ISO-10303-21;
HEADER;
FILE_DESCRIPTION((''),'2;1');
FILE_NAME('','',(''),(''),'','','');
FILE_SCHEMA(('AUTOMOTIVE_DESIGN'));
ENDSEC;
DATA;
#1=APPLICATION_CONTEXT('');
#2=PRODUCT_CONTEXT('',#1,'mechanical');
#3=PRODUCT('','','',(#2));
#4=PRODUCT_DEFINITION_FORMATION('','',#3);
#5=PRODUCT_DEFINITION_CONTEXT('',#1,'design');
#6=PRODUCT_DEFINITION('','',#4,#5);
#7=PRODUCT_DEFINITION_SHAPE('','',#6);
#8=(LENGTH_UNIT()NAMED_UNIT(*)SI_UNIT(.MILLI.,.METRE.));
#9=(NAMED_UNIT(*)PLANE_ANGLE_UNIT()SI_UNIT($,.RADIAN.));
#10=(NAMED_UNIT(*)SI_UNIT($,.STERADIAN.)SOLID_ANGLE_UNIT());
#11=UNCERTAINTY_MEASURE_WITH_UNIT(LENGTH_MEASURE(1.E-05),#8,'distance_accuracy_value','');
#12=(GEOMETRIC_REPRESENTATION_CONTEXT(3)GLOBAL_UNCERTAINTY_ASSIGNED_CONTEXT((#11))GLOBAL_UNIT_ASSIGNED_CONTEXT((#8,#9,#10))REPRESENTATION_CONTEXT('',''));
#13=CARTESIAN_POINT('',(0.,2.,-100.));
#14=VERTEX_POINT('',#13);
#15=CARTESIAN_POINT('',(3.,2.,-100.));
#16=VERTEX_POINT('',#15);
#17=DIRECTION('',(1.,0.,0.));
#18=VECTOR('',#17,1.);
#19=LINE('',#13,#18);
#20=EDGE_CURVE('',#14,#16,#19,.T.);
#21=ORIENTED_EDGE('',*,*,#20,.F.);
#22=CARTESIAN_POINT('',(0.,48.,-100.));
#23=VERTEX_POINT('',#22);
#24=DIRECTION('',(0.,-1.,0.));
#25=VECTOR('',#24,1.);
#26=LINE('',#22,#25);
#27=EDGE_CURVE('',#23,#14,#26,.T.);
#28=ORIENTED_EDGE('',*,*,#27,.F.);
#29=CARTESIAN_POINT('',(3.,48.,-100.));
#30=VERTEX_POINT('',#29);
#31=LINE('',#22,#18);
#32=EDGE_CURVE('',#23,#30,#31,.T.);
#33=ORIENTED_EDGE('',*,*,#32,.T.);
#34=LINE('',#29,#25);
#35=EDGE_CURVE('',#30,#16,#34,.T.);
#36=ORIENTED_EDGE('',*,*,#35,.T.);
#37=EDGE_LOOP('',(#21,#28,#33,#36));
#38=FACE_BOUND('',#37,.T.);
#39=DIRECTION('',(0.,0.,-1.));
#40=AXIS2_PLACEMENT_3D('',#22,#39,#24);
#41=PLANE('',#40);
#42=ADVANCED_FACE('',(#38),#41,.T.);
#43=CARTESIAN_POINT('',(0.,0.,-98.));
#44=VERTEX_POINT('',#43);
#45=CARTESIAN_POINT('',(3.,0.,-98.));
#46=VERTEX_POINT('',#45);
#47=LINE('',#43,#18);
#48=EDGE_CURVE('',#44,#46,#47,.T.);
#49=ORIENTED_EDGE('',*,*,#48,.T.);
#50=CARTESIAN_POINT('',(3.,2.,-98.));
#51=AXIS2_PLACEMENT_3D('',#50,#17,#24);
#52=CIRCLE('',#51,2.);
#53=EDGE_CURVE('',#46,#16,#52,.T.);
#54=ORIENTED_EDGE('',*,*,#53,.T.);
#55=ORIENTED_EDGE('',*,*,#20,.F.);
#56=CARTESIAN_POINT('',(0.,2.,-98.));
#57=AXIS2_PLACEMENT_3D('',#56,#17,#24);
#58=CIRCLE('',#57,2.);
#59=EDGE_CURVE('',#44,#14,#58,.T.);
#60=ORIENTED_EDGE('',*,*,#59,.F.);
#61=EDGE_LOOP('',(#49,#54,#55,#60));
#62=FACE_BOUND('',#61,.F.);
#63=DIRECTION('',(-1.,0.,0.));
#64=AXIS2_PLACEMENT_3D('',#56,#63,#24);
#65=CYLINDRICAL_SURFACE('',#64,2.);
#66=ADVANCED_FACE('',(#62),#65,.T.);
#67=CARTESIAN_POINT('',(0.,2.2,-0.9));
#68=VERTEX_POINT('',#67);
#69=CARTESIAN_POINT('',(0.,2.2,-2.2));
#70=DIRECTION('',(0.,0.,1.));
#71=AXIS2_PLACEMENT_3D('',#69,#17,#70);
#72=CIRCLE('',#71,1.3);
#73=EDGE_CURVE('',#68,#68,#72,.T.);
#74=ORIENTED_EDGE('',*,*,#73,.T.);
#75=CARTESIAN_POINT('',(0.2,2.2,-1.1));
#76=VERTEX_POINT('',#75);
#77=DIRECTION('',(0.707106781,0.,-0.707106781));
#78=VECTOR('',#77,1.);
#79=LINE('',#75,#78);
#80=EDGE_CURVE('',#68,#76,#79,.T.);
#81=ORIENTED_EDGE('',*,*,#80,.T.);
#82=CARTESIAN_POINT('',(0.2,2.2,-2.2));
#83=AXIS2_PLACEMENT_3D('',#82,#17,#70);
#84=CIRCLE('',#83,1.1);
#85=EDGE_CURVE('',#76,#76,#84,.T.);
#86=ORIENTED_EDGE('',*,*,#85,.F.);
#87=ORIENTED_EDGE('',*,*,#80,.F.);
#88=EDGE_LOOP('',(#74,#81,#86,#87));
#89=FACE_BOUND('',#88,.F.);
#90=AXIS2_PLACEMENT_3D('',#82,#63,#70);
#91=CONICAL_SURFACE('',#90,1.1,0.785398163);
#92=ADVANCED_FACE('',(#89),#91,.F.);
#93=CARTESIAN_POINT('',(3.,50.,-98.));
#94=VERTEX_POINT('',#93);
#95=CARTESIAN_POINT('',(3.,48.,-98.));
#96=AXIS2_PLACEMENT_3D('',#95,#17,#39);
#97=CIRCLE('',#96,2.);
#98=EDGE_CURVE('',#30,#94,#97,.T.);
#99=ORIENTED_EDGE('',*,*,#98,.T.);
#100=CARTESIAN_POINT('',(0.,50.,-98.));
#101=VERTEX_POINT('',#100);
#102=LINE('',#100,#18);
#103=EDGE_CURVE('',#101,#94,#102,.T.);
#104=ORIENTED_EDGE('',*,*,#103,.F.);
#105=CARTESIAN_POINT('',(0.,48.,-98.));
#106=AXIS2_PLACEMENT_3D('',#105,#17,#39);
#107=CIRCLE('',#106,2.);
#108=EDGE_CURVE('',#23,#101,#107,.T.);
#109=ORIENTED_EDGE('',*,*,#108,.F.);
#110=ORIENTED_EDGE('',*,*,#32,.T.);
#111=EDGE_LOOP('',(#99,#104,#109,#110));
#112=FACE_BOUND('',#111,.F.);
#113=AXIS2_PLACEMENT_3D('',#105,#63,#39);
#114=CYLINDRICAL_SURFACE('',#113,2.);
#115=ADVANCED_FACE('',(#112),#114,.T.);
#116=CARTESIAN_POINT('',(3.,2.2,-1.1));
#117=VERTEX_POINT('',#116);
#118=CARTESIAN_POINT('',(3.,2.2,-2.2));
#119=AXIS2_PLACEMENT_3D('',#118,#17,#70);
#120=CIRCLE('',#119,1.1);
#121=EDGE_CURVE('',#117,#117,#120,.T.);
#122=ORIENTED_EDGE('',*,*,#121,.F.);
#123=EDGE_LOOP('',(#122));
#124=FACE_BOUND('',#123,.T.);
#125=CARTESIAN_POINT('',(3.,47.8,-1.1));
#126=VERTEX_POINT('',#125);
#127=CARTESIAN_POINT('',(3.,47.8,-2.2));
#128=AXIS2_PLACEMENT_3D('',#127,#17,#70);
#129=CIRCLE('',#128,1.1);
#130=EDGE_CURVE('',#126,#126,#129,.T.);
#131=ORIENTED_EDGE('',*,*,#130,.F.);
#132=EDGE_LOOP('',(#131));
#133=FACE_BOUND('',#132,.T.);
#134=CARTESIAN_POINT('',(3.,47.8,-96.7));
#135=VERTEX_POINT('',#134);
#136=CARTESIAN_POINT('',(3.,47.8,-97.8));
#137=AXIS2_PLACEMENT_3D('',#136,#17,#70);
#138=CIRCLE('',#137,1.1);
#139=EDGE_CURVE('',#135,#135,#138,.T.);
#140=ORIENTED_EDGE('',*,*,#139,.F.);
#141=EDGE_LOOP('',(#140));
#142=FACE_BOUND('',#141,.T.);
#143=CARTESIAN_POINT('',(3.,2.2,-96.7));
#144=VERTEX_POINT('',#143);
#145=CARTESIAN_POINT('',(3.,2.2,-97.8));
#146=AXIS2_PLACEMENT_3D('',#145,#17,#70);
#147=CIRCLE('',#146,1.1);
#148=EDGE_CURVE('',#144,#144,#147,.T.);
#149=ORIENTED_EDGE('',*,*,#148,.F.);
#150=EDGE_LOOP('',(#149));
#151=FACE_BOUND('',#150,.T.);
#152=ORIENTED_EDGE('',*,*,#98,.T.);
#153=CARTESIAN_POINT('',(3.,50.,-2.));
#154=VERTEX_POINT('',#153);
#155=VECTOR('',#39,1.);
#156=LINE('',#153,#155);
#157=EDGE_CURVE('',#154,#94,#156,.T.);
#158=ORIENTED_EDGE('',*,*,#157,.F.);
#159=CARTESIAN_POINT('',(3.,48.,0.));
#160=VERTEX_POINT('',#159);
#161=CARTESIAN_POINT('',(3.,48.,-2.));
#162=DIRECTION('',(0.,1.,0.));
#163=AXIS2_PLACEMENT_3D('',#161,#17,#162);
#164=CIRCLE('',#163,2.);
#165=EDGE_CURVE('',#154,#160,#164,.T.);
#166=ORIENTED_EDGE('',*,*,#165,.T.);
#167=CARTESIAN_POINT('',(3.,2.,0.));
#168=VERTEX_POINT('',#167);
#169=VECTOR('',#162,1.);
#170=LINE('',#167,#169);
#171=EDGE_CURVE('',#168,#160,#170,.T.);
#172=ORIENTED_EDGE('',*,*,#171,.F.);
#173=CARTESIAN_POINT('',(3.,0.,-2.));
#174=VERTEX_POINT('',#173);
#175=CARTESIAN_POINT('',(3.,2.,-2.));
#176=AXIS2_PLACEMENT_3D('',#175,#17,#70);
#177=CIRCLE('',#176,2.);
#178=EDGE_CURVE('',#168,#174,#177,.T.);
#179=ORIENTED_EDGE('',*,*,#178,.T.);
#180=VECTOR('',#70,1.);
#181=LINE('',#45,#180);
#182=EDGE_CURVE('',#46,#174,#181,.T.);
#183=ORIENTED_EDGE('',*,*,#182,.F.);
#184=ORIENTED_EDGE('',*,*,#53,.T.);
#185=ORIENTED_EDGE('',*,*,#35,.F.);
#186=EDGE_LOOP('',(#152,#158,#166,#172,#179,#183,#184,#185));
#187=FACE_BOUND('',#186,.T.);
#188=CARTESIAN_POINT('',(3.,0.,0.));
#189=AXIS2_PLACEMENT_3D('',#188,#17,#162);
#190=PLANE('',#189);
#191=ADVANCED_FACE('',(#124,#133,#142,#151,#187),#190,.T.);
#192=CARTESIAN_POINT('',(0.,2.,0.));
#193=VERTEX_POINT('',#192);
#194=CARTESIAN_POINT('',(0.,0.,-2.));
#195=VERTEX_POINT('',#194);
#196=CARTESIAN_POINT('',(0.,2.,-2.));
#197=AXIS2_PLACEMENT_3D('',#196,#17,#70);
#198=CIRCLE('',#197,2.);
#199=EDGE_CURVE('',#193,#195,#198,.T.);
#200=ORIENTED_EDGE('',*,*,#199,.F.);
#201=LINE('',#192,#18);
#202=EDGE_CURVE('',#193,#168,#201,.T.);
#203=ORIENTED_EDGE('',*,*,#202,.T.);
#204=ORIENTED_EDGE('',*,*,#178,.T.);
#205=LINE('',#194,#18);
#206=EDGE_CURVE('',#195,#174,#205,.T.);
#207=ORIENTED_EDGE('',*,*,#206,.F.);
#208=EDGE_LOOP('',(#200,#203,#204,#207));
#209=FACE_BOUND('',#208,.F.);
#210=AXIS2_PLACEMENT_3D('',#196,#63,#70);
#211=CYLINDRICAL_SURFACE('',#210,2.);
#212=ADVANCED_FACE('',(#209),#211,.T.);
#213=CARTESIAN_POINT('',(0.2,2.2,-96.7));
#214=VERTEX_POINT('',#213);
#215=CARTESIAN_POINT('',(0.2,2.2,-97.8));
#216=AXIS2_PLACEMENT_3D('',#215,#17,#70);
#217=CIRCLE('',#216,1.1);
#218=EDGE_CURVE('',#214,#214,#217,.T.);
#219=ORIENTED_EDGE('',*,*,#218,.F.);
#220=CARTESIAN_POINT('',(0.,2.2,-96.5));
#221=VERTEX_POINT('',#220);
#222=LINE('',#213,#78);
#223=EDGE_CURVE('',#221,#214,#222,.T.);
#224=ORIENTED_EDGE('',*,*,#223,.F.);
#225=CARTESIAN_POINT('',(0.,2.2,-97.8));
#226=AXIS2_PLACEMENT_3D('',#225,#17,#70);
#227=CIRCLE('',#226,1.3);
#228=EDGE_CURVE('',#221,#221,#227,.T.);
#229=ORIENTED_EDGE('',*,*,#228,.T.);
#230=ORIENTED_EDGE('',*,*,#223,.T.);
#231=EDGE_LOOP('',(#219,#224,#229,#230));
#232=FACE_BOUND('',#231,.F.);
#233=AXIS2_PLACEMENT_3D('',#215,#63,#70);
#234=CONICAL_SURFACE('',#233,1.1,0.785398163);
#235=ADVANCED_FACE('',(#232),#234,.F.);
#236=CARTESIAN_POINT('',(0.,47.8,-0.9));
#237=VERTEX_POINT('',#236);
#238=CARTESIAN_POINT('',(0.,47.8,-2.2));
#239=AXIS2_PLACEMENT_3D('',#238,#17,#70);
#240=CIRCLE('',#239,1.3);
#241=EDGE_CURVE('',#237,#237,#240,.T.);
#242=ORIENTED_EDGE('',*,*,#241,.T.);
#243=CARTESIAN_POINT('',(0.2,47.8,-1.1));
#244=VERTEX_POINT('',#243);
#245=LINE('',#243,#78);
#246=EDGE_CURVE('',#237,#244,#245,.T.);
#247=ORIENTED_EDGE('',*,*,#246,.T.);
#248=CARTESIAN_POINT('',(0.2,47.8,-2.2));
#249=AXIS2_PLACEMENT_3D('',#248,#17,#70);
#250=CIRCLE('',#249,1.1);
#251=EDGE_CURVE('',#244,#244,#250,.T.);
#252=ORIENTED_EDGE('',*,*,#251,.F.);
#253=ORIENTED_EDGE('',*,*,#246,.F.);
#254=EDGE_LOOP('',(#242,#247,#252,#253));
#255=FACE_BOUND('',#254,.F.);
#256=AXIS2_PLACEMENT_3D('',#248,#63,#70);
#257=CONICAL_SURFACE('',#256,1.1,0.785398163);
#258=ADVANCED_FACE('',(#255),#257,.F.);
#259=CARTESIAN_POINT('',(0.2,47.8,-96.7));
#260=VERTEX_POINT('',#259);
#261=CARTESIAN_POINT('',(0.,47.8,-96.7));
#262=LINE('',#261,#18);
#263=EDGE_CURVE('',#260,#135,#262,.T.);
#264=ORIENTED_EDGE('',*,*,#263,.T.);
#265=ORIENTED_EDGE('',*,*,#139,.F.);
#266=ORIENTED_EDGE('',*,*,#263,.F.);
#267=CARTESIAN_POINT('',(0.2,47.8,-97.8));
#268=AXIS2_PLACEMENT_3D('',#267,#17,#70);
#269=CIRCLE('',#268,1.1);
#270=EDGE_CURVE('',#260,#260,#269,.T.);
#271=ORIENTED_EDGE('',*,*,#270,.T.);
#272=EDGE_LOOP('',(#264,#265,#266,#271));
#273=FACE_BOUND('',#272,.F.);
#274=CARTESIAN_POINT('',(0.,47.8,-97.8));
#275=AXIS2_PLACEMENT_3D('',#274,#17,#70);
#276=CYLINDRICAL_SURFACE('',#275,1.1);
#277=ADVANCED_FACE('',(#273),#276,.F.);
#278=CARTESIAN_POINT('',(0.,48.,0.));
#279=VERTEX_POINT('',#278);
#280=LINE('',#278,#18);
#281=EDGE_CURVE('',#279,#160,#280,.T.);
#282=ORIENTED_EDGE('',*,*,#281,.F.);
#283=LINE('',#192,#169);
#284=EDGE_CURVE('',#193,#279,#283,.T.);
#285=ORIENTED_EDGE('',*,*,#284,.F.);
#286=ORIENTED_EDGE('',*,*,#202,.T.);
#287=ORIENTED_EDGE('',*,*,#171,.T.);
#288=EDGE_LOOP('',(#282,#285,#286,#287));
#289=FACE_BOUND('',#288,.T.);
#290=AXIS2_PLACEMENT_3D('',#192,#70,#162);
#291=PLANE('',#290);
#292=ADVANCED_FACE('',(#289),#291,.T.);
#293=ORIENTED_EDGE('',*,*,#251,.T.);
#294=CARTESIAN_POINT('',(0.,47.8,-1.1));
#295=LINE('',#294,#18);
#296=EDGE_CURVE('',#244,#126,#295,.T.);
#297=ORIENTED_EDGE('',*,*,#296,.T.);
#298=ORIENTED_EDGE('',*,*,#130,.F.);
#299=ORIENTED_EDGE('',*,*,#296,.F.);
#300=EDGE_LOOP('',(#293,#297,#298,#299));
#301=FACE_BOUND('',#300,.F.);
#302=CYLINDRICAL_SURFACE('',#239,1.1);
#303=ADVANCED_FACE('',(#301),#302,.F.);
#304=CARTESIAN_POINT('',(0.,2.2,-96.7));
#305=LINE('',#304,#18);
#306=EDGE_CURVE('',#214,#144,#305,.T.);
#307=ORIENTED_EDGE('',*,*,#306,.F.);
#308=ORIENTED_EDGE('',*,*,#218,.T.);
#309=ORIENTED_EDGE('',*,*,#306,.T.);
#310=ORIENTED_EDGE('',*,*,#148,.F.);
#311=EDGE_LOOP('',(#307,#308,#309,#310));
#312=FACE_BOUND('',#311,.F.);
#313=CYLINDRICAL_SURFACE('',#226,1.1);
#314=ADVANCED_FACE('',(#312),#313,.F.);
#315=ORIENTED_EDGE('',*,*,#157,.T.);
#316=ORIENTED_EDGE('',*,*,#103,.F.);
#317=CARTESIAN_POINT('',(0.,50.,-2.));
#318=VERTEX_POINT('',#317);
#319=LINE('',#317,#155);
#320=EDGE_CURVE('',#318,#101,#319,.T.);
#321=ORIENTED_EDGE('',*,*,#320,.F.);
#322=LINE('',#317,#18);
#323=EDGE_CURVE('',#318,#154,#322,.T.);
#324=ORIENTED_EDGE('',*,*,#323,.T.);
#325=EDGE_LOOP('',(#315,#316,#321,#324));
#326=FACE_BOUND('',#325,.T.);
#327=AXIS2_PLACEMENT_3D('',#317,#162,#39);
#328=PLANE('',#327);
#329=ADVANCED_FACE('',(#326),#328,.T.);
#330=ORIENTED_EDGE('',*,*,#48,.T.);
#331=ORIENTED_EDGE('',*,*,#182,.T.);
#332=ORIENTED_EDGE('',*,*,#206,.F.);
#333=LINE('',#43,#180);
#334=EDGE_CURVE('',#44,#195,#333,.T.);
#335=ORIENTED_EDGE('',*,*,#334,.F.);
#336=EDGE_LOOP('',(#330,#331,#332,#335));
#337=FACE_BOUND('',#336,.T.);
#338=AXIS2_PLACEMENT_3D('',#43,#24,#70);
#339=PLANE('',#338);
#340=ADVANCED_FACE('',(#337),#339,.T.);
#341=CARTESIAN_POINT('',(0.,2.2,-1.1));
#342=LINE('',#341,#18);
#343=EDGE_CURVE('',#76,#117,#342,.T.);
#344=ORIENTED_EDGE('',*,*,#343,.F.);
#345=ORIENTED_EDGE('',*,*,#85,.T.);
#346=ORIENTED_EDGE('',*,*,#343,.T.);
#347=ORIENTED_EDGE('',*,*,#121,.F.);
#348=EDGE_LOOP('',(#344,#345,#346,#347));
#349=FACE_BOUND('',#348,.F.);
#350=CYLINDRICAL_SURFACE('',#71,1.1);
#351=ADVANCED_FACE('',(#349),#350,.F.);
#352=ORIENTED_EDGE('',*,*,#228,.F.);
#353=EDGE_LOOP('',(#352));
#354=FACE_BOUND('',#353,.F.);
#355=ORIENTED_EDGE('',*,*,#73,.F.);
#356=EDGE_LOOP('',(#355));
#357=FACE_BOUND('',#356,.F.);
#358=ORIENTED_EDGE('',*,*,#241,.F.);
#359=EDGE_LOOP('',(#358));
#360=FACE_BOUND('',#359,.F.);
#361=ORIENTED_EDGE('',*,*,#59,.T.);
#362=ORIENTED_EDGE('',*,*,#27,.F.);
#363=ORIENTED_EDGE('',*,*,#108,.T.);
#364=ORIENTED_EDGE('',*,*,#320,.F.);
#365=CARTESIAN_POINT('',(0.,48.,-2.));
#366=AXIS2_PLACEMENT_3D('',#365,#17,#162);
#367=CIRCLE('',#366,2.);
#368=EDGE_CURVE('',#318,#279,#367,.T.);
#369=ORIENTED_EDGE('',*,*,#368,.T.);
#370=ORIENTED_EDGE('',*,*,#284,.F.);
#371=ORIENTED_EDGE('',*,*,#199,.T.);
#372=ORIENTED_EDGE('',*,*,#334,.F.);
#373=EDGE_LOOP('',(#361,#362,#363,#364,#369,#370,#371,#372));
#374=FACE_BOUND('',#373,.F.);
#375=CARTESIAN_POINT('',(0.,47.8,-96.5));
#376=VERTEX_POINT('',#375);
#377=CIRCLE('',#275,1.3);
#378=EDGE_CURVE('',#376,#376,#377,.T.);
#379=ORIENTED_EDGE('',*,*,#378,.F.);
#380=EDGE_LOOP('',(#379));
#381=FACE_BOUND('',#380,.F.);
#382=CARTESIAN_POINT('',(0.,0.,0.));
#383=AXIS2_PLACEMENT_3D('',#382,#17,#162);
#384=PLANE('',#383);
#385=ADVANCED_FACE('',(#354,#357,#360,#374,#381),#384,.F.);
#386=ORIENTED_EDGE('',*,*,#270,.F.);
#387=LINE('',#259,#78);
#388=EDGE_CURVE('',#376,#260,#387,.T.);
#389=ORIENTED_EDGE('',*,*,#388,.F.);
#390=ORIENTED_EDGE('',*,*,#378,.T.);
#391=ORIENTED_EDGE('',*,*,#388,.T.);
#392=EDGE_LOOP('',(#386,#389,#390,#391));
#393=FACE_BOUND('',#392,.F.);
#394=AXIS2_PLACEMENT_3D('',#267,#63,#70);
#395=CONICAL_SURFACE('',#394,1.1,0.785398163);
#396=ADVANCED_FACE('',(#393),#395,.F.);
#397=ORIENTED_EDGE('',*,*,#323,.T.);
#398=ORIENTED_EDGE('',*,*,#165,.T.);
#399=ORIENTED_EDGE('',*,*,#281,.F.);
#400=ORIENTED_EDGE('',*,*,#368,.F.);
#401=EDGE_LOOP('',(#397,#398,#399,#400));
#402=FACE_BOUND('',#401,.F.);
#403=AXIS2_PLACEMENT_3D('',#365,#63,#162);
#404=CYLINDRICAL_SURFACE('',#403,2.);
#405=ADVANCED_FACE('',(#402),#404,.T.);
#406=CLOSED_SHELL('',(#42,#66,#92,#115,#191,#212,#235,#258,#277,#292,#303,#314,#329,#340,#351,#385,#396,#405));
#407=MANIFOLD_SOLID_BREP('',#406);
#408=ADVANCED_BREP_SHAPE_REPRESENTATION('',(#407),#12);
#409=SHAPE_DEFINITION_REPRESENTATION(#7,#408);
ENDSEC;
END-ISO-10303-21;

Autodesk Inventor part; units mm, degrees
ref_plane "YZ Plane" through (0, 0, 0) normal (1, 0, 0) x (0, 1, 0)
ref_plane "XZ Plane" through (0, 0, 0) normal (0, 1, 0) x (-1, 0, 0)
ref_plane "XY Plane" through (0, 0, 0) normal (0, 0, 1) x (1, 0, 0)
sketch "Sketch1" plane through (0, 0, 0) normal (1, 0, 0) x (0, 1, 0)
  line L0 (2, 0) -> (48, 0)
  line L1 (50, -2) -> (50, -98)
  line L2 (48, -100) -> (2, -100)
  line L3 (0, -98) -> (0, -2)
  arc A0 (50, -2) -> (48, 0) centre (48, -2) ccw
  arc A1 (0, -98) -> (2, -100) centre (2, -98) ccw
  arc A2 (48, -100) -> (50, -98) centre (48, -98) ccw
  arc A3 (2, 0) -> (0, -2) centre (2, -2) ccw
  circle A4 centre (47.8, -2.2) radius 1.1
  line L4 (50, -50) -> (19.7358, -50) construction
  line L5 (25, 0) -> (25, -33.4431) construction
  circle A5 centre (47.8, -97.8) radius 1.1
  circle A6 centre (2.2, -2.2) radius 1.1
  circle A7 centre (2.2, -97.8) radius 1.1
  point P0 (0, 0)
  point P1 (50, -100)
  point P2 (50, 0)
  point P3 (0, -100)
  point P4 (2, -2)
  point P5 (2, -98)
  dimension "d0" = 50
  dimension "d1" = 100
  dimension "d2" = 2
  dimension "d3" = 2.2
  dimension "d4" = 2.2
  dimension "d5" = 2.2
extrude "Extrusion1" add sketch "Sketch1" along normal blind 3 contours L0 A0 L1 A2 L2 A1 L3 A3 | A4 | A5 | A6 | A7
hole "Hole1" at (0, 47.8, -2.2) at (0, 2.2, -2.2) at (0, 47.8, -97.8) at (0, 2.2, -97.8) direction (1, 0, 0) diameter 2.2 depth 6.3 tip angle 118 clearance for "Countersunk Flat Head Screw ISO 2009/7046" size "M2" standard "ISO"
chamfer "Chamfer1" distance 0.2 angle 45 4 edges at (0, 2.2, -98.9) (0, 47.8, -98.9) (0, 2.2, -3.3) (0, 47.8, -3.3)
properties part number "ściana tylna"
